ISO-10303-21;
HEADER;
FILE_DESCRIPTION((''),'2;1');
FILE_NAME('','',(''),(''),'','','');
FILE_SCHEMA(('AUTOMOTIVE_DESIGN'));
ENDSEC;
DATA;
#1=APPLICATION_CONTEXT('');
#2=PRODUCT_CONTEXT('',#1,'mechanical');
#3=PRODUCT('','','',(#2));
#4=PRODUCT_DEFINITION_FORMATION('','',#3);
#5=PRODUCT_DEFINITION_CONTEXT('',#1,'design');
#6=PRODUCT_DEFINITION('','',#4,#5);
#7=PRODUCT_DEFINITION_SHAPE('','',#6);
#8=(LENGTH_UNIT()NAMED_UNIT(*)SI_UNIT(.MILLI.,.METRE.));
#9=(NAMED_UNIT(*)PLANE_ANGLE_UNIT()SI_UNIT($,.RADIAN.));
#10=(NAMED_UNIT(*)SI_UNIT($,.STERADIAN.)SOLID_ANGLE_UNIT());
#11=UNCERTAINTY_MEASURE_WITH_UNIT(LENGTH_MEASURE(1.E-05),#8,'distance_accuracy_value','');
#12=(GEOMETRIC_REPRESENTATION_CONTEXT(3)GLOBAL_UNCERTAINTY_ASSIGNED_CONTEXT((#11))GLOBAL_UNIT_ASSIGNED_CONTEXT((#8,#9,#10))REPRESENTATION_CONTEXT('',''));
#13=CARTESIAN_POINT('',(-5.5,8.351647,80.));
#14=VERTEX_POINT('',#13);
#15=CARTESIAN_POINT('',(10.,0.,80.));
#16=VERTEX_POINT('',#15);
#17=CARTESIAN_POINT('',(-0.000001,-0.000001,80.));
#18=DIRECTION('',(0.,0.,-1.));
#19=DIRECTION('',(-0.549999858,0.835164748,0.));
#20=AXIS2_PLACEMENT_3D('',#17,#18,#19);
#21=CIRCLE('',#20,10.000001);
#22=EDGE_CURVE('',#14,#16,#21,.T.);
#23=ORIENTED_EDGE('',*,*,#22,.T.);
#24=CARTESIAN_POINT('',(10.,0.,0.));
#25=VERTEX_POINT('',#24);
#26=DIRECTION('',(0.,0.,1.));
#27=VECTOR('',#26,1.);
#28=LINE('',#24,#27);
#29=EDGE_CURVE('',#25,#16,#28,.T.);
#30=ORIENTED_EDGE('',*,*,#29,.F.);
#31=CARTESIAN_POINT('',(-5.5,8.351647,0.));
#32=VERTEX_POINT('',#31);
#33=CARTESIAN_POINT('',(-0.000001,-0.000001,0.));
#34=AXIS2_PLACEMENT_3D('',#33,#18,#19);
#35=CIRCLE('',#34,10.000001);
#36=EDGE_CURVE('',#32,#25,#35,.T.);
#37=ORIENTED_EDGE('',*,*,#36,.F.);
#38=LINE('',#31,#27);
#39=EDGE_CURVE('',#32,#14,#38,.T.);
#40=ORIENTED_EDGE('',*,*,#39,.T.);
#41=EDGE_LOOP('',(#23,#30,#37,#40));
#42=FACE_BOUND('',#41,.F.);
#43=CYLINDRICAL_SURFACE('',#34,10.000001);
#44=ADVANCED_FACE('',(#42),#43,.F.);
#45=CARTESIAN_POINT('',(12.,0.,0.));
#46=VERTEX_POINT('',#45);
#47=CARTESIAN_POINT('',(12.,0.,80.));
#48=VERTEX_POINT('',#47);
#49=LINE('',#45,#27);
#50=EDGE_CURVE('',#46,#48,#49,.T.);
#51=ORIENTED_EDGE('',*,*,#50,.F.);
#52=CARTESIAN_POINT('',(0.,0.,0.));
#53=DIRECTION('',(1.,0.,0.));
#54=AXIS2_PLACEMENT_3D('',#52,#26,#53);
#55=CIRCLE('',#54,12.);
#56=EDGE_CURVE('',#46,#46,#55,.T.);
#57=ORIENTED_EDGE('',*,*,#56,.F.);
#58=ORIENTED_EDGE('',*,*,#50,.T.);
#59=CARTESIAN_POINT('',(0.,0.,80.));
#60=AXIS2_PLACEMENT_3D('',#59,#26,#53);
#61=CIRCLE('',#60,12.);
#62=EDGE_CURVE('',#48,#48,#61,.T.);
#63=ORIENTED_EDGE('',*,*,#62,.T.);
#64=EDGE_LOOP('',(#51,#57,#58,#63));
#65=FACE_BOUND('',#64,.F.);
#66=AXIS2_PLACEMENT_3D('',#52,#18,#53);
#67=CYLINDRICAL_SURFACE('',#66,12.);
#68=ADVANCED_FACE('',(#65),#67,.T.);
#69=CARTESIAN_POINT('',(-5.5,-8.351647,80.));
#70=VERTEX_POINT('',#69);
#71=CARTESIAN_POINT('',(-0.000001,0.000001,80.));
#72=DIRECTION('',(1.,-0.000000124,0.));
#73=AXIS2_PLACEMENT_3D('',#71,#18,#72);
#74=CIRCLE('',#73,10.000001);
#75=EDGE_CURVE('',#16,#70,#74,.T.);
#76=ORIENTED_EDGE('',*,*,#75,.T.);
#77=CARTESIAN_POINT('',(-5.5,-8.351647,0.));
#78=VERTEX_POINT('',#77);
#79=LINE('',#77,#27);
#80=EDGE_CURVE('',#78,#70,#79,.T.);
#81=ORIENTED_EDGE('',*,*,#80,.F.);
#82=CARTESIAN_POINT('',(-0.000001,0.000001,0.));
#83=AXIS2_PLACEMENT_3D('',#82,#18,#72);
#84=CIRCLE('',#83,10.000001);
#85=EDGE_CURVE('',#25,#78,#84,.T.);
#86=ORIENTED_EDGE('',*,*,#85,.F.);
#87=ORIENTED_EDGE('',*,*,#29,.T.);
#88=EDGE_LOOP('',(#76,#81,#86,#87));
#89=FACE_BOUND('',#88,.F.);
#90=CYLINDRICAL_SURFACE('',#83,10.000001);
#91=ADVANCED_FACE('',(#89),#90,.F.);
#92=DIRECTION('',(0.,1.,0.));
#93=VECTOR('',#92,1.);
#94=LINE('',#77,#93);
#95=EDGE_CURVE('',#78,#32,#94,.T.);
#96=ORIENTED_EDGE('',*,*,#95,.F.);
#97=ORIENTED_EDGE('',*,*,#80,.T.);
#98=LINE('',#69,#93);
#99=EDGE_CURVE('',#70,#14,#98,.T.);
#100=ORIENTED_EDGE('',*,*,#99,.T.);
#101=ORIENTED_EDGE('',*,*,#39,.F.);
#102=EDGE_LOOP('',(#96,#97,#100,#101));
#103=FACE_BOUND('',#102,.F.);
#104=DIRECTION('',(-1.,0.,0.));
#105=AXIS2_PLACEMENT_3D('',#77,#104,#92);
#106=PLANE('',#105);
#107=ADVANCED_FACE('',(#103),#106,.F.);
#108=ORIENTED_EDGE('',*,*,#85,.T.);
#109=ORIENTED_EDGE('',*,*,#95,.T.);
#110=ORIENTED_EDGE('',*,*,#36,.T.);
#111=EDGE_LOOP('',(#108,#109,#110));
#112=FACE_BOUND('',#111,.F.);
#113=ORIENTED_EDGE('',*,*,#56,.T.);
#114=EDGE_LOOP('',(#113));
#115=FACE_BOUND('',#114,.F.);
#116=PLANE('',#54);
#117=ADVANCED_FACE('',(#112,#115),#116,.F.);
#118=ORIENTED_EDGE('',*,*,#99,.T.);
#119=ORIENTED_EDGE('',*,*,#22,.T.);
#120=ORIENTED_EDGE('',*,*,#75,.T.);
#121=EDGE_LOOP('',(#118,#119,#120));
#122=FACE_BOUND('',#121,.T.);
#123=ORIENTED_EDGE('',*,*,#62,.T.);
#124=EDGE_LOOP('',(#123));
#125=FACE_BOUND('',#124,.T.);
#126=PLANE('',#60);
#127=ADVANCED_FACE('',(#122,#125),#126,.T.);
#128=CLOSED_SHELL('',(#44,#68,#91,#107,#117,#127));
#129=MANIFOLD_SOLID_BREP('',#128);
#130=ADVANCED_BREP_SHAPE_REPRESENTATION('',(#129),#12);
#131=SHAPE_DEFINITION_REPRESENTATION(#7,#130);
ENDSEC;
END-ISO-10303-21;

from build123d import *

# Parameters (mm, degrees)
F0_R     = 12
F1_DEPTH = 80


with BuildPart() as f1:
    # F0 (on Top) → F1 (new body)
    with BuildSketch(Plane.XY):
        Circle(F0_R)
        with BuildLine():
            ThreePointArc((-5.5, 8.351647), (4.743416, 8.803408), (10, 0))
            ThreePointArc((10, 0), (4.743416, -8.803408), (-5.5, -8.351647))
            ThreePointArc((-5.5, -8.351647), (-10, 0), (-5.5, 8.351647))
        make_face(mode=Mode.SUBTRACT)
        with BuildLine():
            Line((-5.5, -8.351647), (-5.5, 8.351647))
            ThreePointArc((-5.5, 8.351647), (-10, 0), (-5.5, -8.351647))
        make_face()
    extrude(amount=F1_DEPTH)


solid = f1.part
